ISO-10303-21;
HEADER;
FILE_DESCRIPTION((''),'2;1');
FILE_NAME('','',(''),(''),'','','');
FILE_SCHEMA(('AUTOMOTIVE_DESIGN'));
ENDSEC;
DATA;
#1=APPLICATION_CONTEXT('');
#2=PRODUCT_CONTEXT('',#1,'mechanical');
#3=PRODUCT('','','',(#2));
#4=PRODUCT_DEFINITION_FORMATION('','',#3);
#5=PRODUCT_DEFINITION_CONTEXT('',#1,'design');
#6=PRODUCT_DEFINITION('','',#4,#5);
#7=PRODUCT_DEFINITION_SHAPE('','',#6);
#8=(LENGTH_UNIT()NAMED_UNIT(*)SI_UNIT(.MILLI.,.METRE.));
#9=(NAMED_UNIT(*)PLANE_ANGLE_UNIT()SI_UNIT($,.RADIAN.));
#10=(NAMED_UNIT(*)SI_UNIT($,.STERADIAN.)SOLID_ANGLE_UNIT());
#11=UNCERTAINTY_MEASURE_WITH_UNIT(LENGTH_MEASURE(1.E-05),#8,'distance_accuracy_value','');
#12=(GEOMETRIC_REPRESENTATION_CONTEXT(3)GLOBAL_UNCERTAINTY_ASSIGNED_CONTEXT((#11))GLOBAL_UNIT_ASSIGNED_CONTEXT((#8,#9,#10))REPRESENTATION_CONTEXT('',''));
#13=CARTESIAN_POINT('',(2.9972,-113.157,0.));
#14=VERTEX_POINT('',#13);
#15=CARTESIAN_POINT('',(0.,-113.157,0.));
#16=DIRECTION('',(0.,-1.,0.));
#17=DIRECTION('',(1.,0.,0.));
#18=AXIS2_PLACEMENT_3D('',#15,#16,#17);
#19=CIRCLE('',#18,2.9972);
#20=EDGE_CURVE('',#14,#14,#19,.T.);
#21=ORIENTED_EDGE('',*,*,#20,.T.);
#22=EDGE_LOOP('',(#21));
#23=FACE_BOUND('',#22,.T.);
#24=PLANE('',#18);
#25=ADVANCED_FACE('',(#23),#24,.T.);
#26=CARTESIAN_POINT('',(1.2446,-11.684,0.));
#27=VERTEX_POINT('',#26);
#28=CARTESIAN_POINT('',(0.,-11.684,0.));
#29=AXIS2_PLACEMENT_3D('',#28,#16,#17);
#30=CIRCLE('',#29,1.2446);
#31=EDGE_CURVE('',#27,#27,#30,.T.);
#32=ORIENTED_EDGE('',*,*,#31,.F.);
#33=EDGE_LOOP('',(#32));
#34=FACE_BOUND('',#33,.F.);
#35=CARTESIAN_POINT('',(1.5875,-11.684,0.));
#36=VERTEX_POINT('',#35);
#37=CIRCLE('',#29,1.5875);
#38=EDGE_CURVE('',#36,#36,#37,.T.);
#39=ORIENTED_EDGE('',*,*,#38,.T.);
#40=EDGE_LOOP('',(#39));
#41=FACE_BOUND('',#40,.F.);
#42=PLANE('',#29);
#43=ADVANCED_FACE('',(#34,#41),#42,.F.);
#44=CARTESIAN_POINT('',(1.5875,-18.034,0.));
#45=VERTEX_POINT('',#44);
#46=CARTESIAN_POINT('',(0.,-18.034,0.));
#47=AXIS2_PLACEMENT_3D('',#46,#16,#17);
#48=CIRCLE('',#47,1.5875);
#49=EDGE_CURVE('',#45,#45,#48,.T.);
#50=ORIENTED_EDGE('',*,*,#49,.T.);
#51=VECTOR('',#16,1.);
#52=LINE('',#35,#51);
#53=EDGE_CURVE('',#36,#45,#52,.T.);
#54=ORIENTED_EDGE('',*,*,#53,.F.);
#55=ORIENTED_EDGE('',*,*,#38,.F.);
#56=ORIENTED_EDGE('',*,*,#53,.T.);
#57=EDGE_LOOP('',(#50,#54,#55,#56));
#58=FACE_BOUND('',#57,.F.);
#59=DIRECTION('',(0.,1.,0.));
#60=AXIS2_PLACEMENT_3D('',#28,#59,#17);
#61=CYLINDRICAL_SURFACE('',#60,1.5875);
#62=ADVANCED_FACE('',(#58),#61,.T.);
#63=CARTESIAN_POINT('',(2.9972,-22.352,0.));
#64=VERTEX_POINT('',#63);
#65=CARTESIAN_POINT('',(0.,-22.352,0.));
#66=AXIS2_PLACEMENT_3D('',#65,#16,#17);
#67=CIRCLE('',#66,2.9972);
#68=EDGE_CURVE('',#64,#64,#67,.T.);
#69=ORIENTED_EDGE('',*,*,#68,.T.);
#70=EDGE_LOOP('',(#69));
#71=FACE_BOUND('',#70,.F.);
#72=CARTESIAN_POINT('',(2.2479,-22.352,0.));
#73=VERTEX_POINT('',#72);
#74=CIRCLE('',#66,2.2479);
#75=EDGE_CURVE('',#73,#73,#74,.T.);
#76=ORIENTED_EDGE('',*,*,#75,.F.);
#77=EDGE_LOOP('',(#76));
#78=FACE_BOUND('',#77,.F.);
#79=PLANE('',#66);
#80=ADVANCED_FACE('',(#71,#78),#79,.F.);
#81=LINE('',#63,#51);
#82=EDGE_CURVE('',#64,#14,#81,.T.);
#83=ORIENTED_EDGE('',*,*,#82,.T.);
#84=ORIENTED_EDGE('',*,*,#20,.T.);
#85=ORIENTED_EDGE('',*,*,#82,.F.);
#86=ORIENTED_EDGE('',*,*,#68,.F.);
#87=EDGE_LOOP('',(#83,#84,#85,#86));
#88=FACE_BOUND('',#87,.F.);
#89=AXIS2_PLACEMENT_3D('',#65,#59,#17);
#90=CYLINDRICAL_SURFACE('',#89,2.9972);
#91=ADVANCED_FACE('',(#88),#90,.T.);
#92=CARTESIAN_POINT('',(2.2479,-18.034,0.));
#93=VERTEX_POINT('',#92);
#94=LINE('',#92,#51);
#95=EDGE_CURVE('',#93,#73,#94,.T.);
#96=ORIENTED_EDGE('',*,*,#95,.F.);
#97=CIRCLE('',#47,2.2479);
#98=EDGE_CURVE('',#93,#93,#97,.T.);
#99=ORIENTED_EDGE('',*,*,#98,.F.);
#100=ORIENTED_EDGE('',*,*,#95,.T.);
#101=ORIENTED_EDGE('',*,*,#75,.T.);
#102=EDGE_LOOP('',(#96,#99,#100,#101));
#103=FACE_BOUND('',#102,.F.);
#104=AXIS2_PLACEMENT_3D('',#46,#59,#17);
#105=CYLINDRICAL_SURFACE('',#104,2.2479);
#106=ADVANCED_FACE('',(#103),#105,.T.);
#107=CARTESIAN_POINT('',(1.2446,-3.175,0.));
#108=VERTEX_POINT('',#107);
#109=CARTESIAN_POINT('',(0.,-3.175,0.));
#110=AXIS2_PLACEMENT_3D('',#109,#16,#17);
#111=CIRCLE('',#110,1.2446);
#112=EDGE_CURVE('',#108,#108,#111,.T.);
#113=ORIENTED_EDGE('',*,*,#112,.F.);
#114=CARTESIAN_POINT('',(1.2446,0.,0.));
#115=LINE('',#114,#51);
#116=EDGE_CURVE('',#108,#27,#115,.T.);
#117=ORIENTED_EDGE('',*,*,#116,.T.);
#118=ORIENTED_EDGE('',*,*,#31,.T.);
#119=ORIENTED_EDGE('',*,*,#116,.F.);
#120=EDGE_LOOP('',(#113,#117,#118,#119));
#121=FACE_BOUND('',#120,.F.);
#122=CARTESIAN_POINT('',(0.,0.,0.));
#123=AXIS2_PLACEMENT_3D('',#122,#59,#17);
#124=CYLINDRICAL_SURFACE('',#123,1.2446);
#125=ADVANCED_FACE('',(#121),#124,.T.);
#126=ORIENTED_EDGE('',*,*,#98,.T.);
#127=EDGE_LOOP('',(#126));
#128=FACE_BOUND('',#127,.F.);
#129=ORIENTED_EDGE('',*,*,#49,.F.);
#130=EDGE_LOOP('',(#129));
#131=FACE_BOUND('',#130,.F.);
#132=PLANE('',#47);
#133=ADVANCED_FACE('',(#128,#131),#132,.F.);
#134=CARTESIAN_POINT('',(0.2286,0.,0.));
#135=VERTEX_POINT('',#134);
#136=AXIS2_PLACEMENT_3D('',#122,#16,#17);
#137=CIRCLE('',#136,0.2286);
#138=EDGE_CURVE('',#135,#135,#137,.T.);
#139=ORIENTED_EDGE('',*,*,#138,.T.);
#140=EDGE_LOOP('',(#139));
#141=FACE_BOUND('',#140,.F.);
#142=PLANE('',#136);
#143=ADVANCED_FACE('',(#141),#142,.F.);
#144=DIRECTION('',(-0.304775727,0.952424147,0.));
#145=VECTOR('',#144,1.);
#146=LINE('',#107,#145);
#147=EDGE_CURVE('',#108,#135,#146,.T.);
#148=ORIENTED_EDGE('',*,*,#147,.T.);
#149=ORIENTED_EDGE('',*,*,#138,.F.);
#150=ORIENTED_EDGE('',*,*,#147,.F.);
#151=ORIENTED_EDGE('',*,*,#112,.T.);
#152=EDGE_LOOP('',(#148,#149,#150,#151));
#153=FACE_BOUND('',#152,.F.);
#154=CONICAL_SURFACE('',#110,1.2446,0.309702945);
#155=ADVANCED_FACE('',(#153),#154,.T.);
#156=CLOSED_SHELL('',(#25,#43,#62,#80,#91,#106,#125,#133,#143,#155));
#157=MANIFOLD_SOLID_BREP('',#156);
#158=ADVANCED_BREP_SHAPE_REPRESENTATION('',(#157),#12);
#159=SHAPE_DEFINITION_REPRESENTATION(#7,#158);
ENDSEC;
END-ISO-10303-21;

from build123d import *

# Parameters (mm, degrees)
F0_R     = 1.2446
F1_DEPTH = 11.684
F2_SIZE2 = 1.016
F2_SIZE  = 3.175
F3_R     = 1.5875
F4_DEPTH = 6.35
F5_R     = 2.2479
F6_DEPTH = 4.318
F7_R     = 2.9972
F8_DEPTH = 90.805


with BuildPart() as f1:
    # F0 (on Front) → F1 (new body)
    with BuildSketch(Plane.XZ):
        Circle(F0_R)
    extrude(amount=F1_DEPTH)

    # F2
    f2_edges = [f1.edges().sort_by_distance(p)[0] for p in [
        (-1.2446, 0, 0),
    ]]
    f2_side = f1.faces().sort_by_distance((-1.2446, -5.842, 0))[0]
    chamfer(f2_edges, length=F2_SIZE, length2=F2_SIZE2, reference=f2_side)

    # F3 (on face) → F4 (join)
    with BuildSketch(Plane.XZ.offset(11.684)):
        Circle(F3_R)
    extrude(amount=F4_DEPTH)

    # F5 (on face) → F6 (join)
    with BuildSketch(Plane.XZ.offset(18.034)):
        Circle(F5_R)
    extrude(amount=F6_DEPTH)

    # F7 (on face) → F8 (join)
    with BuildSketch(Plane.XZ.offset(22.352)):
        Circle(F7_R)
    extrude(amount=F8_DEPTH)


solid = f1.part
